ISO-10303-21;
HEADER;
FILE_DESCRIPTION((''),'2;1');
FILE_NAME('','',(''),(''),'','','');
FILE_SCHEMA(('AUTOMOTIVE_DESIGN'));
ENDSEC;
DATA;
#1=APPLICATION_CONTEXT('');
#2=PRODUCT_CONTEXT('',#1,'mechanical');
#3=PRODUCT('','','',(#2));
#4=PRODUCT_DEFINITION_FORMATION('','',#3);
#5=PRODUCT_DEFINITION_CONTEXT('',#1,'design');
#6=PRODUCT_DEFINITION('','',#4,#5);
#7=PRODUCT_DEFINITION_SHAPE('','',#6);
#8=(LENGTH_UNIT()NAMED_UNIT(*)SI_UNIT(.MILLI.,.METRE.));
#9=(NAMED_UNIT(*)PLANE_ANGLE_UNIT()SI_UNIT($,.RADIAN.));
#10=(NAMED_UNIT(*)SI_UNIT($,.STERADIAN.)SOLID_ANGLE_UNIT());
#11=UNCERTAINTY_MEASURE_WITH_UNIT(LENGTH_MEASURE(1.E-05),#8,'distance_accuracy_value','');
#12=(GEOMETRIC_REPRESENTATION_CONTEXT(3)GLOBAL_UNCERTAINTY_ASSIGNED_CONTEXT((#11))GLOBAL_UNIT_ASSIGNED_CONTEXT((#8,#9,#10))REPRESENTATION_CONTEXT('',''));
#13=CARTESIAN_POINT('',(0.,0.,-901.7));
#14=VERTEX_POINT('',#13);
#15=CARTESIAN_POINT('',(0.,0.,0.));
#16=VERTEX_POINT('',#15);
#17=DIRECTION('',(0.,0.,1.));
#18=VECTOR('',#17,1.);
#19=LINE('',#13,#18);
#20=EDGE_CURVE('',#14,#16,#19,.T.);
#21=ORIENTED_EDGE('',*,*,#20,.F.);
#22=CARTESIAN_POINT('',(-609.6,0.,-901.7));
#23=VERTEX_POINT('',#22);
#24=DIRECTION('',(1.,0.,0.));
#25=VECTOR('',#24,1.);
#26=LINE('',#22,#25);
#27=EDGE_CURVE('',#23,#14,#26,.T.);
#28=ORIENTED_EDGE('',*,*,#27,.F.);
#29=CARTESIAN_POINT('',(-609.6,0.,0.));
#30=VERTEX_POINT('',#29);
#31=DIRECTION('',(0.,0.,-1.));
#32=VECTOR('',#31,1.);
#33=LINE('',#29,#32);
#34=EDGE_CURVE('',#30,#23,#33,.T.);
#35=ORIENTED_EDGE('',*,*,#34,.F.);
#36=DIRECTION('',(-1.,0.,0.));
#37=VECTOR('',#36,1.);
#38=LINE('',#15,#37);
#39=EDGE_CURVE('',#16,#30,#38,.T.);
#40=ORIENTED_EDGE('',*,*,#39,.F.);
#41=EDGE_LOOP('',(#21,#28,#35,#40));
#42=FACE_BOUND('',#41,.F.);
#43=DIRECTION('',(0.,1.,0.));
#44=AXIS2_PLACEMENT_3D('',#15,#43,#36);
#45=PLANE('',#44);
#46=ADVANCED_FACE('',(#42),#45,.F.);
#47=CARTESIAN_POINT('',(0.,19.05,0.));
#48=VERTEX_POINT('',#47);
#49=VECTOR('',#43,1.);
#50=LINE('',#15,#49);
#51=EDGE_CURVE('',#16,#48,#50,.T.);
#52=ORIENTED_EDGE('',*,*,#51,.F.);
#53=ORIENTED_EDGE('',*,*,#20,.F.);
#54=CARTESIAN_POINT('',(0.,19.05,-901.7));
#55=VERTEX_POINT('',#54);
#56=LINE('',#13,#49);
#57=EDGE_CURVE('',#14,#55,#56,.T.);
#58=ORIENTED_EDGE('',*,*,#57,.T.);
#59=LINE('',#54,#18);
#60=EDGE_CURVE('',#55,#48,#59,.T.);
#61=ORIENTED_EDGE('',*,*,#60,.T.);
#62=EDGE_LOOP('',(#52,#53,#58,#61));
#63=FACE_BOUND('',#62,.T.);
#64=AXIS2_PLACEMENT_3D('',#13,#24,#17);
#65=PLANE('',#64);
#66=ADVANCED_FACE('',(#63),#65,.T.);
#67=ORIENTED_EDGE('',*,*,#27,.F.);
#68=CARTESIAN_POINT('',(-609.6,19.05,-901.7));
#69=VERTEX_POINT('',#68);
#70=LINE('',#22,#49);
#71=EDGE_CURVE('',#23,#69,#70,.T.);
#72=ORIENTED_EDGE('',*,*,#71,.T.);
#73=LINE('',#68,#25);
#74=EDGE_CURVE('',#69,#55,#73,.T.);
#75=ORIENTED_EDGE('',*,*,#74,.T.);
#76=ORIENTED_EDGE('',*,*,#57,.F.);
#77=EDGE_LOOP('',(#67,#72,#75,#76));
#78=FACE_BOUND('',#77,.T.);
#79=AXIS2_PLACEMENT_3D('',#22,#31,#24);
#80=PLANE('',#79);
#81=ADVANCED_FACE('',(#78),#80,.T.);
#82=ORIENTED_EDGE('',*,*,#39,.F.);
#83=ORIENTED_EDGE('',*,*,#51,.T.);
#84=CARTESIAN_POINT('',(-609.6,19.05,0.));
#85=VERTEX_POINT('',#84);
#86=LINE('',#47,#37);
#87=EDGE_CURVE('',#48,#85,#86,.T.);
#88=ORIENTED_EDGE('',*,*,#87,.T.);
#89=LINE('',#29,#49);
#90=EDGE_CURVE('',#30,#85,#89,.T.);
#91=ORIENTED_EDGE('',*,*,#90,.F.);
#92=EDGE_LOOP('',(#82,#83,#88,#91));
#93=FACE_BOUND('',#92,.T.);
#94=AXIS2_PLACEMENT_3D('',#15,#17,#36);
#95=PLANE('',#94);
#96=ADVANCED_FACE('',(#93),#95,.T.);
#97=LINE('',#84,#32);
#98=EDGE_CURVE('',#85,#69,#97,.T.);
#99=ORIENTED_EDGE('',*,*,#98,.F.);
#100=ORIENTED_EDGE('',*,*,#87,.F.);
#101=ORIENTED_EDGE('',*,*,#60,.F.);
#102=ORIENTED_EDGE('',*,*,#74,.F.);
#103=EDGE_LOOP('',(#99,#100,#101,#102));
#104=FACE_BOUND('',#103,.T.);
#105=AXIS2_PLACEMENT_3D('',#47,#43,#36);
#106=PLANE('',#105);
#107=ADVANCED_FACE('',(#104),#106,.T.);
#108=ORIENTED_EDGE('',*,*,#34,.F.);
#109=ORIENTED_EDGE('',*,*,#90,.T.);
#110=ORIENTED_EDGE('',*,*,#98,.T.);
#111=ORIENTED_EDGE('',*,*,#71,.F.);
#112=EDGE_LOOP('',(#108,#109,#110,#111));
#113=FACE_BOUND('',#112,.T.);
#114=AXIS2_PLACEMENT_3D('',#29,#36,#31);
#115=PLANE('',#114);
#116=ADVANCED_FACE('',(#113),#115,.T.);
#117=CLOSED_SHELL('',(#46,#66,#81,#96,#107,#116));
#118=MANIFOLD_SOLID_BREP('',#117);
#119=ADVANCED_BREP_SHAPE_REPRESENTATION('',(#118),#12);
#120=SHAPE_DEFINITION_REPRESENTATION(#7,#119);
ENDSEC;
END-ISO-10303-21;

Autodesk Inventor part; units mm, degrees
ref_plane "YZ Plane" through (0, 0, 0) normal (1, 0, 0) x (0, 1, 0)
ref_plane "XZ Plane" through (0, 0, 0) normal (0, 1, 0) x (-1, 0, 0)
ref_plane "XY Plane" through (0, 0, 0) normal (0, 0, 1) x (1, 0, 0)
sketch "Sketch1" plane through (0, 0, 0) normal (0, 1, 0) x (-1, 0, 0)
  line L0 (0, 0) -> (609.6, 0)
  line L1 (609.6, 0) -> (609.6, -901.7)
  line L2 (609.6, -901.7) -> (0, -901.7)
  line L3 (0, -901.7) -> (0, 0)
  dimension "d0" = 609.6
  dimension "d1" = 901.7
extrude "Extrusion1" add sketch "Sketch1" along normal blind 19.05
properties part number "Shelf"
